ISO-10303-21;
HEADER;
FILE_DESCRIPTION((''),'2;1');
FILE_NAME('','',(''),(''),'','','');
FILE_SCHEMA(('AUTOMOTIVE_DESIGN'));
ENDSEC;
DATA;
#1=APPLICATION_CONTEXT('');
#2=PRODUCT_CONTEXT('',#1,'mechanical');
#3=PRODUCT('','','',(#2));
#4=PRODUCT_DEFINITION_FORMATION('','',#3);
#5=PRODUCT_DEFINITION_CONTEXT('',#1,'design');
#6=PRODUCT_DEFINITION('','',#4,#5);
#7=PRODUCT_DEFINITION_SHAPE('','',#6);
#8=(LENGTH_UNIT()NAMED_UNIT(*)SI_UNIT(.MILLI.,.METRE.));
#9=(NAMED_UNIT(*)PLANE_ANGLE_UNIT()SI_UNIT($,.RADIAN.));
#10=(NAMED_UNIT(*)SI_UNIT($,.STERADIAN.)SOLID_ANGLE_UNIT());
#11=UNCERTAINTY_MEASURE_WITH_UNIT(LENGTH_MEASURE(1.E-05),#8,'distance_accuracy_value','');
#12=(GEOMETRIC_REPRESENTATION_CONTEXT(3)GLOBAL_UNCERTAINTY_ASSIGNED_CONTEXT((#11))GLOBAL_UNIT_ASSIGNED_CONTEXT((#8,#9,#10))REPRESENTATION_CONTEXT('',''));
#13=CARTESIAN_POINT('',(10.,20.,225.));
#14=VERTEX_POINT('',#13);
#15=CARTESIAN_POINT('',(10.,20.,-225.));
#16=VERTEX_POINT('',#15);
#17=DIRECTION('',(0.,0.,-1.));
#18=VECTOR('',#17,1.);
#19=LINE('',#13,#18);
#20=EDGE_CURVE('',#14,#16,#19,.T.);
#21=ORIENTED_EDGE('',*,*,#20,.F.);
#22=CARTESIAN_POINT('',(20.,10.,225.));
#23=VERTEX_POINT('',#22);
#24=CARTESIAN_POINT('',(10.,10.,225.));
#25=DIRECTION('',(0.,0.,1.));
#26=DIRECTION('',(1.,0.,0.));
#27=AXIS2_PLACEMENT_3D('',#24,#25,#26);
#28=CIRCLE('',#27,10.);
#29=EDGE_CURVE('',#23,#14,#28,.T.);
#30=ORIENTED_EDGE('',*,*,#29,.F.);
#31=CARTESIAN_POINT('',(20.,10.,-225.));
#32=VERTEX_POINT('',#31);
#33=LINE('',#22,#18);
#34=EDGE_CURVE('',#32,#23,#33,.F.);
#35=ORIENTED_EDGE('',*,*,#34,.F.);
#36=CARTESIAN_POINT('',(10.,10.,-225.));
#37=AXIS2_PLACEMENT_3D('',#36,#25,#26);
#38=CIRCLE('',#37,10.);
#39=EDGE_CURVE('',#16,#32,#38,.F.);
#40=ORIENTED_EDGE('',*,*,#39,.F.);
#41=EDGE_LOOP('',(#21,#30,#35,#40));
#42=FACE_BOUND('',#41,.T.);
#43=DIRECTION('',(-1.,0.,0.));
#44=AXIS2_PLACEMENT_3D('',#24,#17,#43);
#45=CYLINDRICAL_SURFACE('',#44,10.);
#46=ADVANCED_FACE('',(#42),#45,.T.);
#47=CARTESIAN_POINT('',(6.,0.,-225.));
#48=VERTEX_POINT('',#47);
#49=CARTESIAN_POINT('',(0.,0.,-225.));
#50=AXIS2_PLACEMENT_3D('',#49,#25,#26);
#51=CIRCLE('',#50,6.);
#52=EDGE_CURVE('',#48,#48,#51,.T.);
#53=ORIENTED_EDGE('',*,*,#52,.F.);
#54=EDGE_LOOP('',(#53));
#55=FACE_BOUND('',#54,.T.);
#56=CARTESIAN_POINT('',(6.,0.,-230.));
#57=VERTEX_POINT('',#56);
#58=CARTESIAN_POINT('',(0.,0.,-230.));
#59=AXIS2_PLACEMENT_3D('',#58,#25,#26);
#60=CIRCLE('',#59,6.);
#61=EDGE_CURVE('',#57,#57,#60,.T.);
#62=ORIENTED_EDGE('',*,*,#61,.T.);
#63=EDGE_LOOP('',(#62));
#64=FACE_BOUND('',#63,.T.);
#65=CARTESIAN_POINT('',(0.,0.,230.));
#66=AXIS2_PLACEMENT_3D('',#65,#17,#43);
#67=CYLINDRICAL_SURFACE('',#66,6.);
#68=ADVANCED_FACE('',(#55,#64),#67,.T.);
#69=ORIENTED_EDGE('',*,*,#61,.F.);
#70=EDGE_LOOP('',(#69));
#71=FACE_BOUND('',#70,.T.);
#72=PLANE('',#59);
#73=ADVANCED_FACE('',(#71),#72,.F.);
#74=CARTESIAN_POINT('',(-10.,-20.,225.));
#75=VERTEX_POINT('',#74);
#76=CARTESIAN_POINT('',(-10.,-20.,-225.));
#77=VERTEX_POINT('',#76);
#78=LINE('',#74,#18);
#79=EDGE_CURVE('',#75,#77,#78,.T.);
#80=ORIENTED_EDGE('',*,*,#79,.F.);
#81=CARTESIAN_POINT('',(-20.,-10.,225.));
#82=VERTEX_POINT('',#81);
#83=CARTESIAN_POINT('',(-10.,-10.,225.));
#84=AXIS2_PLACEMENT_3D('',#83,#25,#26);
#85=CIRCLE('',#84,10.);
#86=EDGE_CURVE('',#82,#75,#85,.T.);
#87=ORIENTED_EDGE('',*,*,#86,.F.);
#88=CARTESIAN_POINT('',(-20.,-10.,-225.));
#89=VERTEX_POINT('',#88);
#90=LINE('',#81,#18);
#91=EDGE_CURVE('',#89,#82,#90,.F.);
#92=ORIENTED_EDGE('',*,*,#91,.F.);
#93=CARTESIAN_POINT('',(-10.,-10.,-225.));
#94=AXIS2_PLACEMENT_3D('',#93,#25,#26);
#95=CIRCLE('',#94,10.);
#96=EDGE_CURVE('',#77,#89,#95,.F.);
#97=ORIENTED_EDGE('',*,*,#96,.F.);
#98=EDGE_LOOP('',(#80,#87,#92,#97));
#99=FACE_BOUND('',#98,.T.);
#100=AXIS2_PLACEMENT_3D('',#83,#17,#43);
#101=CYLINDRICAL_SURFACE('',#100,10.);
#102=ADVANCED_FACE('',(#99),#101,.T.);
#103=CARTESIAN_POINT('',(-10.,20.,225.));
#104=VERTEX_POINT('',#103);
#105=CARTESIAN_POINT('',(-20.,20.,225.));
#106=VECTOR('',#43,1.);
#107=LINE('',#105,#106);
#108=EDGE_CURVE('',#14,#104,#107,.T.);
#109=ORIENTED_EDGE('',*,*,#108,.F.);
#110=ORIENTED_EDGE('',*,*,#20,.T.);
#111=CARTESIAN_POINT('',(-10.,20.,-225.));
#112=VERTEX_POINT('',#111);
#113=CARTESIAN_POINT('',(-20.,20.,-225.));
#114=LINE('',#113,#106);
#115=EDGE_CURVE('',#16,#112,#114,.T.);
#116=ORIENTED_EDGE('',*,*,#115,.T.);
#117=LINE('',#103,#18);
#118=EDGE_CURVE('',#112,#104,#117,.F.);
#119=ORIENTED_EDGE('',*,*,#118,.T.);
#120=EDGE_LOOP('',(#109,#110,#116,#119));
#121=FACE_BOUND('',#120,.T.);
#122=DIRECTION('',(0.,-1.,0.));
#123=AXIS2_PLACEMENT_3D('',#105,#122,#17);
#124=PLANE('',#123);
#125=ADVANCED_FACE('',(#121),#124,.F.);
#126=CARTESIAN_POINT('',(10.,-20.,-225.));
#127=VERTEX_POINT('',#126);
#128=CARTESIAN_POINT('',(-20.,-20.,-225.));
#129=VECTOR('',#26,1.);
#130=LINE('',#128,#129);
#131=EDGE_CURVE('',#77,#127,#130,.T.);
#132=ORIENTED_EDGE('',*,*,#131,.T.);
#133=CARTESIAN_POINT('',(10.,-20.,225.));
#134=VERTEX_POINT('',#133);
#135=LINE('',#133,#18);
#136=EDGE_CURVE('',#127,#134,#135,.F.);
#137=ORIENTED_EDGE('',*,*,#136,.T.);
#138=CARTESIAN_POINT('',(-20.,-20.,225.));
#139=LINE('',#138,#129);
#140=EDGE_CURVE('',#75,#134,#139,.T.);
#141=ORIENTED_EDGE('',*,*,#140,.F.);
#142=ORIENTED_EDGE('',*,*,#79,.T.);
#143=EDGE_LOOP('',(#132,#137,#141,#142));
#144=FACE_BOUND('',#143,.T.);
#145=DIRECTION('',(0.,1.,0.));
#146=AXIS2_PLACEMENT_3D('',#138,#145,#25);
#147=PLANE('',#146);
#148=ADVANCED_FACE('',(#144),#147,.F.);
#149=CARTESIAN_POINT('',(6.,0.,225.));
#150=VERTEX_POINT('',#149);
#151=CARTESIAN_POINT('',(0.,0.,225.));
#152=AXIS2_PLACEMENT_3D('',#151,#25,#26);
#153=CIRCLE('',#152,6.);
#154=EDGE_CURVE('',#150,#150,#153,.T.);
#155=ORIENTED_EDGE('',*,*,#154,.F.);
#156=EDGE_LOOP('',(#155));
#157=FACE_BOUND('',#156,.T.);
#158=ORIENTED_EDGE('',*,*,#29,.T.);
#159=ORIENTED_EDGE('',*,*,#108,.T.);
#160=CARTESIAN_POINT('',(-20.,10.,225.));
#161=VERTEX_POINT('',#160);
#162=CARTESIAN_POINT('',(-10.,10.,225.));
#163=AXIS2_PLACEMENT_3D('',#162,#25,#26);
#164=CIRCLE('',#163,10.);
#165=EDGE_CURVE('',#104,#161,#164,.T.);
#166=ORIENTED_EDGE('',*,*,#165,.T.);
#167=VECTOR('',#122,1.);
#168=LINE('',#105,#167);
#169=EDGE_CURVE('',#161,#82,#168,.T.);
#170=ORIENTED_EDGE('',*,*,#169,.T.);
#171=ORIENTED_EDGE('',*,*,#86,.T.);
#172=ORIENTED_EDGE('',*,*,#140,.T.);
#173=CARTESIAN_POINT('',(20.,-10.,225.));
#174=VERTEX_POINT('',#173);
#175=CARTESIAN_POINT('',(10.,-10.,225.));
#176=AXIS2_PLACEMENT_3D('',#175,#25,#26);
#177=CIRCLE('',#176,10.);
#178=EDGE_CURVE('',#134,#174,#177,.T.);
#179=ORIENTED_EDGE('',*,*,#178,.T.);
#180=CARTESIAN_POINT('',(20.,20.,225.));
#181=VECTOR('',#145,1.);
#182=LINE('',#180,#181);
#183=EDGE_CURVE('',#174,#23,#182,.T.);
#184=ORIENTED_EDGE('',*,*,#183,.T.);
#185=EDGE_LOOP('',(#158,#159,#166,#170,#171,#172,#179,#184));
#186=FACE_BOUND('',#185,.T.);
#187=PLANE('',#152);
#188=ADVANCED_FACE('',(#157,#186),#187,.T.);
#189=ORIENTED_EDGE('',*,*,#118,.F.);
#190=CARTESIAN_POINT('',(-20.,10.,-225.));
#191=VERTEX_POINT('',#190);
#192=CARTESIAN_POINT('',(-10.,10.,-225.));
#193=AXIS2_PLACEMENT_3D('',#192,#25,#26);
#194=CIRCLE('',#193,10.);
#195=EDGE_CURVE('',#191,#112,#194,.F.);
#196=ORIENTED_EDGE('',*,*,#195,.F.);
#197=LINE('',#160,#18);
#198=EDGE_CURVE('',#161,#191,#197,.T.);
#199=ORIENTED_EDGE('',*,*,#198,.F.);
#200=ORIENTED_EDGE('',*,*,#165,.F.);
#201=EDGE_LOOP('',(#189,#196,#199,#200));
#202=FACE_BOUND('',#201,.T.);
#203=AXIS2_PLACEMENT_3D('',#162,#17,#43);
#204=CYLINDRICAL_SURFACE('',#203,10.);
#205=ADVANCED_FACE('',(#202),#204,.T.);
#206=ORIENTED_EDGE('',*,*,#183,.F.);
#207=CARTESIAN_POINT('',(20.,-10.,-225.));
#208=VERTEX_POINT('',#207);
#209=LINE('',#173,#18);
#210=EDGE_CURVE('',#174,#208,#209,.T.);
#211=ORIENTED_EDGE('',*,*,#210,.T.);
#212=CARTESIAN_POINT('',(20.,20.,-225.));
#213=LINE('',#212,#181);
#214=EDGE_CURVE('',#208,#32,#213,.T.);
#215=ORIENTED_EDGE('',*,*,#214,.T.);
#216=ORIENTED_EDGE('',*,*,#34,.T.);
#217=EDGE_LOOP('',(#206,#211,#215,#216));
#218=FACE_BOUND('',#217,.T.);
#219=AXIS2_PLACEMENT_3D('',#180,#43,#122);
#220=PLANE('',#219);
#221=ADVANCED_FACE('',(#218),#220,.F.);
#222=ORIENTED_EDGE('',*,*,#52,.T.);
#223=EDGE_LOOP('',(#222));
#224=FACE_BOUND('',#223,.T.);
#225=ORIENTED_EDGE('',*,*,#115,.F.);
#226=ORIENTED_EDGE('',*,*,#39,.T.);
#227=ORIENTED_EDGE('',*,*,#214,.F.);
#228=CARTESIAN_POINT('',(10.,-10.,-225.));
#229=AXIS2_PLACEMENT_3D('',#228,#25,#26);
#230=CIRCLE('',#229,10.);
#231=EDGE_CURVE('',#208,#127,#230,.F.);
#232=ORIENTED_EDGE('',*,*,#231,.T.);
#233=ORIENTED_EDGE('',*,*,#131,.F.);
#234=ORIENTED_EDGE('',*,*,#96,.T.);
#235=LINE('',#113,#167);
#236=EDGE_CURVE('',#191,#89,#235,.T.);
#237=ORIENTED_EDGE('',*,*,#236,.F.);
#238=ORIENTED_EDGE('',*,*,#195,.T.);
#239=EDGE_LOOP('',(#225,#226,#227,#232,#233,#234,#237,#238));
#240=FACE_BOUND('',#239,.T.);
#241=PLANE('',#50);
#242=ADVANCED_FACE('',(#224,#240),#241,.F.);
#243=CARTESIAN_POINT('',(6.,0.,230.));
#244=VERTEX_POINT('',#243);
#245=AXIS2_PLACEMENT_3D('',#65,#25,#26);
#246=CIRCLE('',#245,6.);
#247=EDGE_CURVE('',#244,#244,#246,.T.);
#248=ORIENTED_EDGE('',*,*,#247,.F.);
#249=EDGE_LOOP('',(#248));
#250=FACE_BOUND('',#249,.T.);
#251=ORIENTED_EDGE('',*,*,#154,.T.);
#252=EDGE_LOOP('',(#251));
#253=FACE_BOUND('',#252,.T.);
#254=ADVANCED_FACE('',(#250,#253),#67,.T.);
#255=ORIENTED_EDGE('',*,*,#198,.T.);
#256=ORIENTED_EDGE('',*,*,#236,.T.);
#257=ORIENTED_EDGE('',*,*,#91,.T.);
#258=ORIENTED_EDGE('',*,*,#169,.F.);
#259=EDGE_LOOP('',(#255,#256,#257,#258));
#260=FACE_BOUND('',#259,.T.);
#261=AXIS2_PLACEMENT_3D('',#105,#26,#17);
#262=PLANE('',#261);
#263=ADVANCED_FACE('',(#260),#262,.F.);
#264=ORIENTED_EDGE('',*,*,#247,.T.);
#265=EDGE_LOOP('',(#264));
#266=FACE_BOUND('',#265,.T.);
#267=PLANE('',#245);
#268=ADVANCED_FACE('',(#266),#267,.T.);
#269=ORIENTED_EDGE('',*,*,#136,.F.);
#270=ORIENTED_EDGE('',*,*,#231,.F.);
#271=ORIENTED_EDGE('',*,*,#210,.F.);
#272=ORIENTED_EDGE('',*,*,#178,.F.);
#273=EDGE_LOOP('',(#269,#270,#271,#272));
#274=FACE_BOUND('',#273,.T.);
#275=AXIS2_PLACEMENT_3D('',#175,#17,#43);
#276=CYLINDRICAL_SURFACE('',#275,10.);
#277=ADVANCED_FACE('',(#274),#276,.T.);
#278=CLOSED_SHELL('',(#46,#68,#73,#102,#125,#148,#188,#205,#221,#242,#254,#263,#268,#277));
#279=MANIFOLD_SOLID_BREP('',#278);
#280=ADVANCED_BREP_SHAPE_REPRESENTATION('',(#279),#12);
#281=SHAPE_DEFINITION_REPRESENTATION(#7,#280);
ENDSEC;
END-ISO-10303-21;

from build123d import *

# Parameters (mm, degrees)
SKETCH_1_R      = 6
EXTRUDE_1_DEPTH = 230
SKETCH_2_W      = 40
SKETCH_2_H      = 40
EXTRUDE_2_DEPTH = 225
FILLET_1_R      = 10


with BuildPart() as part:
    # 草图1 → 凸台-拉伸1 (new, symmetric)
    with BuildSketch(Plane.XY):
        Circle(SKETCH_1_R)
    extrude(amount=EXTRUDE_1_DEPTH, both=True)

    # 草图2 → 凸台-拉伸2 (add, symmetric)
    with BuildSketch(Plane.XY):
        Rectangle(SKETCH_2_W, SKETCH_2_H)
    extrude(amount=EXTRUDE_2_DEPTH, both=True)

    # 圆角1
    fillet_1_edges = [part.edges().sort_by_distance(p)[0] for p in [
        (20, -20, 0),
        (20, 20, 0),
        (-20, 20, 0),
        (-20, -20, 0),
    ]]
    fillet(fillet_1_edges, radius=FILLET_1_R)


solid = part.part
